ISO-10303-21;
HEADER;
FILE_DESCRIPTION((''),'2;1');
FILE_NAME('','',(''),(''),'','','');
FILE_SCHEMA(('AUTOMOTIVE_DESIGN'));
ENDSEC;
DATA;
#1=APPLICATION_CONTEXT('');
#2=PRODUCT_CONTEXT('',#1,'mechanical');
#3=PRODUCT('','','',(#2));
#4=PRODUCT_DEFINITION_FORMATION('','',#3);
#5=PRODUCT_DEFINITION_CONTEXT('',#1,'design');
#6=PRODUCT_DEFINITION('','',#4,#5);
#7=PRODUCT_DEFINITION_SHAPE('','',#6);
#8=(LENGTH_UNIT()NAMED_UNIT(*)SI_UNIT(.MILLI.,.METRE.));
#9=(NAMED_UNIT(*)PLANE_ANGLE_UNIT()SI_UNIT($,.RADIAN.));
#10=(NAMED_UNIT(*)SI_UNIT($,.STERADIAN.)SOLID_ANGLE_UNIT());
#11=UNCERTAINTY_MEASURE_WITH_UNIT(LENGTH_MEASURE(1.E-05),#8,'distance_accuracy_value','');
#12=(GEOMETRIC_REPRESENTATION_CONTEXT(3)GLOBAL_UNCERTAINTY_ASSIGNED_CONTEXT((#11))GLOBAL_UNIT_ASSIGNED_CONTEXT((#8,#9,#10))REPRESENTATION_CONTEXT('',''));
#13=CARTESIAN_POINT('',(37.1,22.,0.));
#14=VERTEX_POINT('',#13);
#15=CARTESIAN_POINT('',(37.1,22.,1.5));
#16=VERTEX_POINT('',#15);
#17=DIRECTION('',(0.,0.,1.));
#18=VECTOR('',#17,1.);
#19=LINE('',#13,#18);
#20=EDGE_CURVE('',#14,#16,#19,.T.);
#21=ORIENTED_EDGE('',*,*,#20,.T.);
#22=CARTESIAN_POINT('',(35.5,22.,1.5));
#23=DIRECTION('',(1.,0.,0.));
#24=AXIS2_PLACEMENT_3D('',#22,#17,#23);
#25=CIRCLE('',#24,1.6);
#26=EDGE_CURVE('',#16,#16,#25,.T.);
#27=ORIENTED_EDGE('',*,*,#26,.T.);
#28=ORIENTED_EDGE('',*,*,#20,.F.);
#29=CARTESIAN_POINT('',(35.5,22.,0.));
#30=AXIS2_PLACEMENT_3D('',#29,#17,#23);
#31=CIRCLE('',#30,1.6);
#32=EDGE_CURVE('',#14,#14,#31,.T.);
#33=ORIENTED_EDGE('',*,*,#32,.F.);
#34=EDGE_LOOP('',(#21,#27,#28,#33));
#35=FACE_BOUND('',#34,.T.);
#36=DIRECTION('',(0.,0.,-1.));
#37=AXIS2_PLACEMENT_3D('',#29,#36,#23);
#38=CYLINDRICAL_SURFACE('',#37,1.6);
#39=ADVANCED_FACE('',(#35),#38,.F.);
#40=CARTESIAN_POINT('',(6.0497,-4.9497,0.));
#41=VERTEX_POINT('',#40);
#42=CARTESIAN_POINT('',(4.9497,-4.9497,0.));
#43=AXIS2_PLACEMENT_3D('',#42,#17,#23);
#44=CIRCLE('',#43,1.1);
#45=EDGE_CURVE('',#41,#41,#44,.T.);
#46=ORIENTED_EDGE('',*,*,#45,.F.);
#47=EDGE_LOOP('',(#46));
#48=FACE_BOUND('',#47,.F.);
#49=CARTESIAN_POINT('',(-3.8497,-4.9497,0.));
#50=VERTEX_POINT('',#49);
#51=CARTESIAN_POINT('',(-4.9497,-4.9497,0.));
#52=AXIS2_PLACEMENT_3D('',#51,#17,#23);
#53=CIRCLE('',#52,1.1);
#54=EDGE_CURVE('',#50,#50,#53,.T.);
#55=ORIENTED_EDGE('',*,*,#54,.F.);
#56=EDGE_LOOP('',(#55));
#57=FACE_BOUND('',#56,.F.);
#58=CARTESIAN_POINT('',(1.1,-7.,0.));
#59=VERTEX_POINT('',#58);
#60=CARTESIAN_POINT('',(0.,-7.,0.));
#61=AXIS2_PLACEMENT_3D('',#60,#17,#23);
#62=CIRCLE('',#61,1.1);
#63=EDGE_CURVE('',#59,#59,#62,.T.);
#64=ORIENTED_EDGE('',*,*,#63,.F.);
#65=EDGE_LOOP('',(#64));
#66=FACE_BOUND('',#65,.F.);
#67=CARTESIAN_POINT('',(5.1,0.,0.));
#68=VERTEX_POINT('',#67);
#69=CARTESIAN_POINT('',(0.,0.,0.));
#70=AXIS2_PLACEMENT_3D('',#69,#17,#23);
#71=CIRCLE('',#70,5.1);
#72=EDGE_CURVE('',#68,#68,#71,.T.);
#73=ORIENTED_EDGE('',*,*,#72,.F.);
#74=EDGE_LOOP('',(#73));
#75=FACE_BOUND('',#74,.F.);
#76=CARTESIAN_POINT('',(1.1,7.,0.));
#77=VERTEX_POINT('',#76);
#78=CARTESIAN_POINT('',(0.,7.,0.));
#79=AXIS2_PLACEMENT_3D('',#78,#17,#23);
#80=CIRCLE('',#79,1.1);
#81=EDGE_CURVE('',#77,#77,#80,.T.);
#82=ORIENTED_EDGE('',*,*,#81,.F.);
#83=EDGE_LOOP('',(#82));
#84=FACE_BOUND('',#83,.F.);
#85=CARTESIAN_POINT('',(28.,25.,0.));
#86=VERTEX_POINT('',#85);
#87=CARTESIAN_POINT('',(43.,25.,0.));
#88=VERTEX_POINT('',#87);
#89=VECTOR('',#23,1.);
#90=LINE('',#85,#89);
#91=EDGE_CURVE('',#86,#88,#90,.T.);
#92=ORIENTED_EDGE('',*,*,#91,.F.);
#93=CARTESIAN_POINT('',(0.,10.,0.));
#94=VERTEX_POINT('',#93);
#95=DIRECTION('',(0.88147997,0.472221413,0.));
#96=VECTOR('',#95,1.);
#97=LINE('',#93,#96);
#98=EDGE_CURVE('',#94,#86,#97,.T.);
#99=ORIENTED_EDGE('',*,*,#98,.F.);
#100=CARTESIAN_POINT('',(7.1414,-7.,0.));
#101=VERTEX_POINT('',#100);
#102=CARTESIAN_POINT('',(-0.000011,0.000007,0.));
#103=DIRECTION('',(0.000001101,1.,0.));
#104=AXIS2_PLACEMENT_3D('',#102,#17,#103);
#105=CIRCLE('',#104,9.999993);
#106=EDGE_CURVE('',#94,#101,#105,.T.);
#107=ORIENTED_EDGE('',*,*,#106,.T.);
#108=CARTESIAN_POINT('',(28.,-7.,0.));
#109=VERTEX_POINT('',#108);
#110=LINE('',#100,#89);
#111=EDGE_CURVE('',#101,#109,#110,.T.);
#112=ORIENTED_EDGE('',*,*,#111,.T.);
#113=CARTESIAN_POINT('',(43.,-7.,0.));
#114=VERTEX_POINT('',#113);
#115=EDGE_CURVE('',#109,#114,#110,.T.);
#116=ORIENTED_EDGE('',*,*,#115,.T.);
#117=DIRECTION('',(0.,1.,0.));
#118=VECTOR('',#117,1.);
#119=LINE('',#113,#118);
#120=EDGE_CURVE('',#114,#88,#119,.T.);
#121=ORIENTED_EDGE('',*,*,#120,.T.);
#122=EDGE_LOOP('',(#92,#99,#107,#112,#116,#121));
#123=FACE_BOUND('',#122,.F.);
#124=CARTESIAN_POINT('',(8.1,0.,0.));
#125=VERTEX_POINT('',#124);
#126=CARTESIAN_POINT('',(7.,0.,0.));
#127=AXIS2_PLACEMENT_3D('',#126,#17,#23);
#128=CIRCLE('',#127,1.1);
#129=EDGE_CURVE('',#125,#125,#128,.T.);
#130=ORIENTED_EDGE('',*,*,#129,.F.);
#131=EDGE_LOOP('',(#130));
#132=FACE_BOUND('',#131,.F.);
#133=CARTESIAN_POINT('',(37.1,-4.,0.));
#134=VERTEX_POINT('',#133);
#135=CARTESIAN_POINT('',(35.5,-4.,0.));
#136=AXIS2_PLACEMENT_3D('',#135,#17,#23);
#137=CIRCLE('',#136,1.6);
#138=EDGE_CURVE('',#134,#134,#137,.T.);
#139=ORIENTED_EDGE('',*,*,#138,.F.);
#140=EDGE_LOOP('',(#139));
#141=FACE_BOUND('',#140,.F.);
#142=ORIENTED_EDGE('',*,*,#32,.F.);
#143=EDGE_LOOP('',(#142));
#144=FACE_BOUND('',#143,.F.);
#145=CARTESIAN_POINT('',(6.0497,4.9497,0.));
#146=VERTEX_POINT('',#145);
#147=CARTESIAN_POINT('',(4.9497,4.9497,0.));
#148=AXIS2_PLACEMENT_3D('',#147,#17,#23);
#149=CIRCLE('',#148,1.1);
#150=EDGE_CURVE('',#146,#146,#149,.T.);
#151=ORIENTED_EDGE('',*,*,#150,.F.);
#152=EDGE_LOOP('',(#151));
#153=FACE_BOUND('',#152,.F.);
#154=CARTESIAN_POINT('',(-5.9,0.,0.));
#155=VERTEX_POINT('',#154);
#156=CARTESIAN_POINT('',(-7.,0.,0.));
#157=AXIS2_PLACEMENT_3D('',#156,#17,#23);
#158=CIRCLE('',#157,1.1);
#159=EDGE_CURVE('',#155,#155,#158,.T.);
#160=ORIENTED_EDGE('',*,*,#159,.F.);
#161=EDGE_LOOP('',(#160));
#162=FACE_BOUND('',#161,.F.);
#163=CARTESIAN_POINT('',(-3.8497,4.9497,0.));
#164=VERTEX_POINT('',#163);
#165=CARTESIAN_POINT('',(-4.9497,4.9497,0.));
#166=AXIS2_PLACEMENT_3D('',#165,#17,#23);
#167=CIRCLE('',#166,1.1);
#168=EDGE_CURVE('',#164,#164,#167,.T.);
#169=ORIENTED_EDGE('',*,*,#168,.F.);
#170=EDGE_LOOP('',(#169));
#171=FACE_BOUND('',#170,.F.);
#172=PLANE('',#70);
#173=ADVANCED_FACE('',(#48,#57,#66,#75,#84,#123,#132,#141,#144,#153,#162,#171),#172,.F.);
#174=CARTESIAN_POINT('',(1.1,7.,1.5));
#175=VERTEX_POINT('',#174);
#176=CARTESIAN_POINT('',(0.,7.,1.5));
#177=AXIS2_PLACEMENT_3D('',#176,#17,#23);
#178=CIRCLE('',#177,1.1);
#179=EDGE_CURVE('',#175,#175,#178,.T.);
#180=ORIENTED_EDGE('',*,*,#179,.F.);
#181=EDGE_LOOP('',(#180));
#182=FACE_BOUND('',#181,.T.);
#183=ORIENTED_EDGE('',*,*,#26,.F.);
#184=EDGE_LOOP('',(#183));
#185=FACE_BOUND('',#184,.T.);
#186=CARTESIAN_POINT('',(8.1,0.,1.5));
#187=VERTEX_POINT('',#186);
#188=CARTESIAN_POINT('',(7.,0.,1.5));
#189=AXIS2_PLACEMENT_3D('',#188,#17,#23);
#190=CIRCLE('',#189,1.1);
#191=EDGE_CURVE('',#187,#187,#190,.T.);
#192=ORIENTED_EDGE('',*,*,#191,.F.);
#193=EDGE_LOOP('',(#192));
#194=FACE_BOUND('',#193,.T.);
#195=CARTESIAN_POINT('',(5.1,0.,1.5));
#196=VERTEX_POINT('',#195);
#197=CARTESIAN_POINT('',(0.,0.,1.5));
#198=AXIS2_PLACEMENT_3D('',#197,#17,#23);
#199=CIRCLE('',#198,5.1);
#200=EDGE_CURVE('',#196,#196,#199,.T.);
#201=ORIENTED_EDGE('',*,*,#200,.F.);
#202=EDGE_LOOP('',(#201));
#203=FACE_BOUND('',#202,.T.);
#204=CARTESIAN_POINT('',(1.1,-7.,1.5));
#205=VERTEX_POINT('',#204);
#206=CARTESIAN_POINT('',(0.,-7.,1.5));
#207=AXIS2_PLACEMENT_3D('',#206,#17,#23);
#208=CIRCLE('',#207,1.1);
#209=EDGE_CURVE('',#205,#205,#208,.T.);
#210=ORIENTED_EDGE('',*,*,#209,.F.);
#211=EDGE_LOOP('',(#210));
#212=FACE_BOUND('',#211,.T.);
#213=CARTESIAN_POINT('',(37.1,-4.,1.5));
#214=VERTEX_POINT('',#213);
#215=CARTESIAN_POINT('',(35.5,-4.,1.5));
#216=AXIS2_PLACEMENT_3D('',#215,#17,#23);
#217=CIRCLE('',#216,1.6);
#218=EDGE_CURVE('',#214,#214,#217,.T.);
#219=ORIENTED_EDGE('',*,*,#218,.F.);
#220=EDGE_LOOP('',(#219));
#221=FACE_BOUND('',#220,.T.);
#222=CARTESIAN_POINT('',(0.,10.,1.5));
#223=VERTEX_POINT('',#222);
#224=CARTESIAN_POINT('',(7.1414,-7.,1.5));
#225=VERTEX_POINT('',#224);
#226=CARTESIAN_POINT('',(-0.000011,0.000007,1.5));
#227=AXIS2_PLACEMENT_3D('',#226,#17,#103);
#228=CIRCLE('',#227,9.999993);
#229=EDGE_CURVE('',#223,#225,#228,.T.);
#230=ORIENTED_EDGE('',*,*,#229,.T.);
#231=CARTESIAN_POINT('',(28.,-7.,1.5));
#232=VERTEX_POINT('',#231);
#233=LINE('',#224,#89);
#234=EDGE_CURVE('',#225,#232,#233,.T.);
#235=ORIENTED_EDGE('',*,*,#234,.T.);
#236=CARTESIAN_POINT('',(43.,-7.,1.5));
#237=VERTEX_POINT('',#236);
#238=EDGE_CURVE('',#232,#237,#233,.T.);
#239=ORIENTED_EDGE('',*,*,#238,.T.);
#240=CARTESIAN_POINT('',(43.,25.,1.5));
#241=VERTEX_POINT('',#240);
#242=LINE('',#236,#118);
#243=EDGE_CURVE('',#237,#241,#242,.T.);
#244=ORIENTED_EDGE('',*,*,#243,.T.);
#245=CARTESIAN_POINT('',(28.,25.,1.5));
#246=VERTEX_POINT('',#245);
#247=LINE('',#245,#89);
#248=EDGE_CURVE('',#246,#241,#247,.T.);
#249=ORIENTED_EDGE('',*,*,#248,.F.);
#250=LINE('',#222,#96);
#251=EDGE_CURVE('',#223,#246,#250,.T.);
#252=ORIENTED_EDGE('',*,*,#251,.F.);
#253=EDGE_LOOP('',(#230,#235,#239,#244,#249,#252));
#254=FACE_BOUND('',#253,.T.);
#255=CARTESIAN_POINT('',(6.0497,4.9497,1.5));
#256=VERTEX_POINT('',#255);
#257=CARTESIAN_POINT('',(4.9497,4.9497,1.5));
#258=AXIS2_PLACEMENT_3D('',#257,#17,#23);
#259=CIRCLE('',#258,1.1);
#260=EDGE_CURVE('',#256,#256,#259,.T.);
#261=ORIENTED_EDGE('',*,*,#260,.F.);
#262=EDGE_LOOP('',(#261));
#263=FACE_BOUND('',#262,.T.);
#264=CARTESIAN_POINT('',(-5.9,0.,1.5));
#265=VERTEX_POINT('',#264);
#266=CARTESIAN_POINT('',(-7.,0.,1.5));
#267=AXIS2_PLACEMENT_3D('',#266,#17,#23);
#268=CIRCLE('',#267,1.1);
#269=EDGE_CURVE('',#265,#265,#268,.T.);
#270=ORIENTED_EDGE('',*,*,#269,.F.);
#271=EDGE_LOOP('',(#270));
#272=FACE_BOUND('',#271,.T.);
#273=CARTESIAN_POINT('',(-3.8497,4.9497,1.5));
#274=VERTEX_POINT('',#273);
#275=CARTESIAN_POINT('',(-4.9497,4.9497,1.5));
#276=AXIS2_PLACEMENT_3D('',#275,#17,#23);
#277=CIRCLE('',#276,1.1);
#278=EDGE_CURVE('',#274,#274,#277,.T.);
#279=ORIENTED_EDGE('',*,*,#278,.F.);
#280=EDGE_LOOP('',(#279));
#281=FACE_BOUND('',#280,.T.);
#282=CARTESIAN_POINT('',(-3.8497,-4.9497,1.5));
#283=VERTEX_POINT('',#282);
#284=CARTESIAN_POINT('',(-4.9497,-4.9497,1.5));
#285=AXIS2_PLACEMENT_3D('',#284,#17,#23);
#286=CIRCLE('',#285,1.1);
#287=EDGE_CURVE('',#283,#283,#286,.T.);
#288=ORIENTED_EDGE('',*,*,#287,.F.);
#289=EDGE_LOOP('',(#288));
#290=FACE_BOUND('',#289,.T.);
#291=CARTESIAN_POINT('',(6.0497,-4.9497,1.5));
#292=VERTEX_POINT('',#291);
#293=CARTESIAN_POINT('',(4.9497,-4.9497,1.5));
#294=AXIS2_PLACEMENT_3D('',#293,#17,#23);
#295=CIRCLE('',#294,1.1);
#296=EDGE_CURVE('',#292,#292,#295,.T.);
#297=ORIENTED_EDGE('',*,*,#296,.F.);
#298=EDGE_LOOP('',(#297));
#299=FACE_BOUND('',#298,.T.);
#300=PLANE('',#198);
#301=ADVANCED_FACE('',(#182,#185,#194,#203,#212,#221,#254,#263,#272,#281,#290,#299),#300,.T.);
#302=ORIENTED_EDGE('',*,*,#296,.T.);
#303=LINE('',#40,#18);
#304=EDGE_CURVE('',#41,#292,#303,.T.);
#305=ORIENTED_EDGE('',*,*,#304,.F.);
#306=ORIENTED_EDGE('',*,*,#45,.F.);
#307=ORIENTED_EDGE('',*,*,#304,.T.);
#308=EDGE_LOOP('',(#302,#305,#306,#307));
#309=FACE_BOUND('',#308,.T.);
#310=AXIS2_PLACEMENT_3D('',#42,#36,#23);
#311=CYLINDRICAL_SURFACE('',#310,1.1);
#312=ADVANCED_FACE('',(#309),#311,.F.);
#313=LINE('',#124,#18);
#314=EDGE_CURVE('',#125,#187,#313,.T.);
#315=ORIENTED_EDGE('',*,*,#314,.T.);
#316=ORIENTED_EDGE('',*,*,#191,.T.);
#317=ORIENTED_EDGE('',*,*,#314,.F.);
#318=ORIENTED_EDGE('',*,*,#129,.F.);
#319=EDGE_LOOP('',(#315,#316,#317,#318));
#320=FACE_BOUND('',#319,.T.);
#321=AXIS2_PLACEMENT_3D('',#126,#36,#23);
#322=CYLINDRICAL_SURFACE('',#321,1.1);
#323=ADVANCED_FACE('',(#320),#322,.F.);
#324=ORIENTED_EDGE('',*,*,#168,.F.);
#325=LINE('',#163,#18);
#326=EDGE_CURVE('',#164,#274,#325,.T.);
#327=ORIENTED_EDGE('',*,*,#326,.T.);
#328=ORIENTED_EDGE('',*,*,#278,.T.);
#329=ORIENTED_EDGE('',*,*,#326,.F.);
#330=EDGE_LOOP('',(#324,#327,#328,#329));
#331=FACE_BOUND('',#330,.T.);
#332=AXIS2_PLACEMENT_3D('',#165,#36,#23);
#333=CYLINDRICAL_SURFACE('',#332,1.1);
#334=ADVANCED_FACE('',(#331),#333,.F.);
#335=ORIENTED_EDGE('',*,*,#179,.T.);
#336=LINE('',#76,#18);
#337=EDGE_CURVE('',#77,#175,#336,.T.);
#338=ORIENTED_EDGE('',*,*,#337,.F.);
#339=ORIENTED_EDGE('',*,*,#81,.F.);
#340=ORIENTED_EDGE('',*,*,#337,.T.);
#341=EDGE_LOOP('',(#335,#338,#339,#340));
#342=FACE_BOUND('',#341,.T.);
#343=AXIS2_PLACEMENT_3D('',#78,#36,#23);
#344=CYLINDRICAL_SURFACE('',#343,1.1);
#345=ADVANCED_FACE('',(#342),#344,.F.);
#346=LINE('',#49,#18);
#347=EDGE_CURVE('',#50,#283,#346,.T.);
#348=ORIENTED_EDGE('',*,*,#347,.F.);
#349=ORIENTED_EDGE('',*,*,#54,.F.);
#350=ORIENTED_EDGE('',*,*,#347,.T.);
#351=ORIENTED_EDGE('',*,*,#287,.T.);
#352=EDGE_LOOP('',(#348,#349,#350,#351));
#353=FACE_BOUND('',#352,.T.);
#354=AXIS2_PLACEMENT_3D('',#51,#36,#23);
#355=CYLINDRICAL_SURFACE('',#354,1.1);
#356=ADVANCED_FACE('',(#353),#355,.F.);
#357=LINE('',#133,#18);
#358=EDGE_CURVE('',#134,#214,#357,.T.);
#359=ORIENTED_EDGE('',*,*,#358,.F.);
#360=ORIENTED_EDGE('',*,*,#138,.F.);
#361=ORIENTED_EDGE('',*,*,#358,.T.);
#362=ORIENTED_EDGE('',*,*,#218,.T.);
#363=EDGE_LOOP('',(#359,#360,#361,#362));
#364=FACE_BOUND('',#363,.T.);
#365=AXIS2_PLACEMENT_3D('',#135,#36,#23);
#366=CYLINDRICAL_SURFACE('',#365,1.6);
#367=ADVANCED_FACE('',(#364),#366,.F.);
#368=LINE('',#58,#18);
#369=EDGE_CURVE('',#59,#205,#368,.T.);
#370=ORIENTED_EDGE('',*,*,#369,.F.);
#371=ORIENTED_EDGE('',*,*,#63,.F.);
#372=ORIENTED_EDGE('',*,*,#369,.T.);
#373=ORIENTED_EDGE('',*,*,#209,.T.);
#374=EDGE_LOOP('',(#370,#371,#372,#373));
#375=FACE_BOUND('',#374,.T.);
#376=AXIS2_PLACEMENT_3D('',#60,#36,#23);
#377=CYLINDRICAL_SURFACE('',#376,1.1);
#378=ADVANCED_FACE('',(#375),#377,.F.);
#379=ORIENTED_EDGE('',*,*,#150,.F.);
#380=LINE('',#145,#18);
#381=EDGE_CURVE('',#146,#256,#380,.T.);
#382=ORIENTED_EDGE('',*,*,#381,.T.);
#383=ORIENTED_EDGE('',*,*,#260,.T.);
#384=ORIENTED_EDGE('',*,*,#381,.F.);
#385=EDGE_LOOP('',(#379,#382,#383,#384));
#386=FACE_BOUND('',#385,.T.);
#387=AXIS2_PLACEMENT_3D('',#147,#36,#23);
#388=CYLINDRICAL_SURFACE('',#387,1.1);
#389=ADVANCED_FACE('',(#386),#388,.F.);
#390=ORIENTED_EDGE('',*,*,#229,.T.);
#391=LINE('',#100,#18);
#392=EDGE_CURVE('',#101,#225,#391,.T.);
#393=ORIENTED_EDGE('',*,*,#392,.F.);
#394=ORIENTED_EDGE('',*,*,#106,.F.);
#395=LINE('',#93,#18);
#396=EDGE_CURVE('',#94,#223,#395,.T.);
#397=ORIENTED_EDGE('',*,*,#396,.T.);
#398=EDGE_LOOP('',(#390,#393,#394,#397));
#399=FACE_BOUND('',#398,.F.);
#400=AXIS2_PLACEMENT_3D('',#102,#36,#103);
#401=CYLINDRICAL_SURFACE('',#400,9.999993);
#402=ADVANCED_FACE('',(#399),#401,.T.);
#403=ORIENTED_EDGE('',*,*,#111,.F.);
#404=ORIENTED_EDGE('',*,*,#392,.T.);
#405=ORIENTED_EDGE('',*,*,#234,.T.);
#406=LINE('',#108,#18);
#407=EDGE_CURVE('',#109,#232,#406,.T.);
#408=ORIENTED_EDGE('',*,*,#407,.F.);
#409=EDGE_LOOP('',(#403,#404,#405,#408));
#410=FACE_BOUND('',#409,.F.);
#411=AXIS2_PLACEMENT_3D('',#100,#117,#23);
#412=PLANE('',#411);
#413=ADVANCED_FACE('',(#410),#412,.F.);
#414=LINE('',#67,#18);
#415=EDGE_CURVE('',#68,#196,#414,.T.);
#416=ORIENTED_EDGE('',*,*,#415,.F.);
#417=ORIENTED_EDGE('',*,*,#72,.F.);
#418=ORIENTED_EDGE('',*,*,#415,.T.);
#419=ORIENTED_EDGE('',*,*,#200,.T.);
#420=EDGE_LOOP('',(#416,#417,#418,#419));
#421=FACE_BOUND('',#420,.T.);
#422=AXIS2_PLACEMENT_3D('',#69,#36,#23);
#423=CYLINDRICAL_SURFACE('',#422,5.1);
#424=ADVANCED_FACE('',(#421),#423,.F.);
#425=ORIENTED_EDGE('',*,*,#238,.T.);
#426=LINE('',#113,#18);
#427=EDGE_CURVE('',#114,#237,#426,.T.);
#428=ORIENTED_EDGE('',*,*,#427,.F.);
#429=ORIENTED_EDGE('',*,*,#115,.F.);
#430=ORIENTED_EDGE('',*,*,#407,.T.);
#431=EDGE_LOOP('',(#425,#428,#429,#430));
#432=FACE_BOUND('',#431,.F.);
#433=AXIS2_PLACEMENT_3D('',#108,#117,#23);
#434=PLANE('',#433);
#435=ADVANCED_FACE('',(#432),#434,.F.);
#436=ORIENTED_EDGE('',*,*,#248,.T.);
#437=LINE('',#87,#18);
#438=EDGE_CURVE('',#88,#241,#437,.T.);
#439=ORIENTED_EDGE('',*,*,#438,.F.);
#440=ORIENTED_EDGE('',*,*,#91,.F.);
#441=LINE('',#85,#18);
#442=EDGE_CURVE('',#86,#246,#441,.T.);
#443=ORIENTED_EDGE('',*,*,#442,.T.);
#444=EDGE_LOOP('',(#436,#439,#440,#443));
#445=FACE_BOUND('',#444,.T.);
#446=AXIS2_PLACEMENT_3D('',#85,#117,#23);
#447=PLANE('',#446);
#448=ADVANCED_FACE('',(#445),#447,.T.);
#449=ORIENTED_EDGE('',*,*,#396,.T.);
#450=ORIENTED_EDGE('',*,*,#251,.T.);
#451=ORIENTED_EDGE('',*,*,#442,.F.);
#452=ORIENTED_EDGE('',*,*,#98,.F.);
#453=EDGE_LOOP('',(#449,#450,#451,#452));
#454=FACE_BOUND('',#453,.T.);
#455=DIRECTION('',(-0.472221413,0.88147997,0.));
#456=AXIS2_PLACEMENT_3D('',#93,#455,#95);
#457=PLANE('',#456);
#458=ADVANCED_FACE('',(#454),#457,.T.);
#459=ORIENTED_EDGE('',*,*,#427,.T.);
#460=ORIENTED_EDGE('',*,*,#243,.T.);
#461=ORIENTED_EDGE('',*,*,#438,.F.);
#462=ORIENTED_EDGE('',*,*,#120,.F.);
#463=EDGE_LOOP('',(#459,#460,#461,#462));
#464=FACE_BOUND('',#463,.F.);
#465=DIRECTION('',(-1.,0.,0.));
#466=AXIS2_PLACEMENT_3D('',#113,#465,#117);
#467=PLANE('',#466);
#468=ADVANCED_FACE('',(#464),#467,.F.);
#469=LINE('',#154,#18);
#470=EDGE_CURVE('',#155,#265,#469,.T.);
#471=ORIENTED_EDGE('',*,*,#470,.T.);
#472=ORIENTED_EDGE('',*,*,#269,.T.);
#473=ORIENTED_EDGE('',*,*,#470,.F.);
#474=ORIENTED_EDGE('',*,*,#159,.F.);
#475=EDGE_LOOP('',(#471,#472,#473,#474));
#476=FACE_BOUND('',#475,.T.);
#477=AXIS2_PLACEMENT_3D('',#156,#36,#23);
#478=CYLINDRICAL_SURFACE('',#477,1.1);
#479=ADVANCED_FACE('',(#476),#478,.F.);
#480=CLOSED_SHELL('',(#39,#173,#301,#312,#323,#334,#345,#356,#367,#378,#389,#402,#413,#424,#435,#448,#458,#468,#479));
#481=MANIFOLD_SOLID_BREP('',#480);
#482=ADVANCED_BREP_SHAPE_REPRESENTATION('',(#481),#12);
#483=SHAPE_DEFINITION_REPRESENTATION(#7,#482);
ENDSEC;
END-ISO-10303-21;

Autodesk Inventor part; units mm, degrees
ref_plane "YZ Plane" through (0, 0, 0) normal (1, 0, 0) x (0, 1, 0)
ref_plane "XZ Plane" through (0, 0, 0) normal (0, 1, 0) x (-1, 0, 0)
ref_plane "XY Plane" through (0, 0, 0) normal (0, 0, 1) x (1, 0, 0)
sketch "スケッチ1" plane through (0, 0, 0) normal (0, 0, 1) x (1, 0, 0)
  arc A0 (0, 10) -> (7.1414, -7) centre (0, 0) ccw
  circle A1 centre (0, 0) radius 7 construction
  circle A2 centre (0, 7) radius 1.1
  circle A3 centre (0, 0) radius 7 construction
  circle A4 centre (-4.9497, 4.9497) radius 1.1
  circle A5 centre (0, 0) radius 7 construction
  circle A6 centre (-7, 0) radius 1.1
  circle A7 centre (0, 0) radius 7 construction
  circle A8 centre (-4.9497, -4.9497) radius 1.1
  circle A9 centre (0, 0) radius 7 construction
  circle A10 centre (0, -7) radius 1.1
  circle A11 centre (0, 0) radius 7 construction
  circle A12 centre (4.9497, -4.9497) radius 1.1
  circle A13 centre (0, 0) radius 7 construction
  circle A14 centre (7, 0) radius 1.1
  circle A15 centre (0, 0) radius 7 construction
  circle A16 centre (4.9497, 4.9497) radius 1.1
  line L0 (0, 10) -> (28, 25)
  circle A17 centre (0, 0) radius 5.1
  line L1 (43, -7) -> (43, 25)
  line L2 (7.1414, -7) -> (43, -7)
  line L3 (43, -7) -> (28, -7)
  line L4 (28, -7) -> (28, 25) construction
  line L5 (28, 25) -> (43, 25)
  line L6 (35.5, 25) -> (35.5, -7) construction
  line L7 (43, 9) -> (28, 9) construction
  circle A18 centre (35.5, 22) radius 1.6
  circle A19 centre (35.5, -4) radius 1.6
  line L8 (0, 0) -> (-10, 0) construction
  circle A20 centre (35.5, 22) radius 3 construction
  circle A21 centre (35.5, -4) radius 3 construction
  circle A22 centre (35.5, 15) radius 1.6 construction
  circle A23 centre (35.5, 15) radius 3 construction
  circle A24 centre (35.5, 3) radius 1.6 construction
  circle A25 centre (35.5, 3) radius 3 construction
  line L9 (0, 0) -> (0, 10) construction
  dimension "d1" = 14
  dimension "d0" = 20
  dimension "d2" = 2.2
  dimension "d5" = 360
  dimension "d7" = 10.2
  dimension "d11" = 15
  dimension "d12" = 90
  dimension "d13" = 3.2
  dimension "d14" = 3.2
  dimension "d15" = 35.8586
  dimension "d16" = 7
  dimension "d18" = 6
  dimension "d19" = 6
  dimension "d20" = 3.2
  dimension "d21" = 6
  dimension "d22" = 6
  dimension "d23" = 32
extrude "押し出し1" add sketch "スケッチ1" along normal blind 1.5
properties part number "サーボ支え板A_アルミ(A2017)_t1.5" material "アルミニウム 6061"
